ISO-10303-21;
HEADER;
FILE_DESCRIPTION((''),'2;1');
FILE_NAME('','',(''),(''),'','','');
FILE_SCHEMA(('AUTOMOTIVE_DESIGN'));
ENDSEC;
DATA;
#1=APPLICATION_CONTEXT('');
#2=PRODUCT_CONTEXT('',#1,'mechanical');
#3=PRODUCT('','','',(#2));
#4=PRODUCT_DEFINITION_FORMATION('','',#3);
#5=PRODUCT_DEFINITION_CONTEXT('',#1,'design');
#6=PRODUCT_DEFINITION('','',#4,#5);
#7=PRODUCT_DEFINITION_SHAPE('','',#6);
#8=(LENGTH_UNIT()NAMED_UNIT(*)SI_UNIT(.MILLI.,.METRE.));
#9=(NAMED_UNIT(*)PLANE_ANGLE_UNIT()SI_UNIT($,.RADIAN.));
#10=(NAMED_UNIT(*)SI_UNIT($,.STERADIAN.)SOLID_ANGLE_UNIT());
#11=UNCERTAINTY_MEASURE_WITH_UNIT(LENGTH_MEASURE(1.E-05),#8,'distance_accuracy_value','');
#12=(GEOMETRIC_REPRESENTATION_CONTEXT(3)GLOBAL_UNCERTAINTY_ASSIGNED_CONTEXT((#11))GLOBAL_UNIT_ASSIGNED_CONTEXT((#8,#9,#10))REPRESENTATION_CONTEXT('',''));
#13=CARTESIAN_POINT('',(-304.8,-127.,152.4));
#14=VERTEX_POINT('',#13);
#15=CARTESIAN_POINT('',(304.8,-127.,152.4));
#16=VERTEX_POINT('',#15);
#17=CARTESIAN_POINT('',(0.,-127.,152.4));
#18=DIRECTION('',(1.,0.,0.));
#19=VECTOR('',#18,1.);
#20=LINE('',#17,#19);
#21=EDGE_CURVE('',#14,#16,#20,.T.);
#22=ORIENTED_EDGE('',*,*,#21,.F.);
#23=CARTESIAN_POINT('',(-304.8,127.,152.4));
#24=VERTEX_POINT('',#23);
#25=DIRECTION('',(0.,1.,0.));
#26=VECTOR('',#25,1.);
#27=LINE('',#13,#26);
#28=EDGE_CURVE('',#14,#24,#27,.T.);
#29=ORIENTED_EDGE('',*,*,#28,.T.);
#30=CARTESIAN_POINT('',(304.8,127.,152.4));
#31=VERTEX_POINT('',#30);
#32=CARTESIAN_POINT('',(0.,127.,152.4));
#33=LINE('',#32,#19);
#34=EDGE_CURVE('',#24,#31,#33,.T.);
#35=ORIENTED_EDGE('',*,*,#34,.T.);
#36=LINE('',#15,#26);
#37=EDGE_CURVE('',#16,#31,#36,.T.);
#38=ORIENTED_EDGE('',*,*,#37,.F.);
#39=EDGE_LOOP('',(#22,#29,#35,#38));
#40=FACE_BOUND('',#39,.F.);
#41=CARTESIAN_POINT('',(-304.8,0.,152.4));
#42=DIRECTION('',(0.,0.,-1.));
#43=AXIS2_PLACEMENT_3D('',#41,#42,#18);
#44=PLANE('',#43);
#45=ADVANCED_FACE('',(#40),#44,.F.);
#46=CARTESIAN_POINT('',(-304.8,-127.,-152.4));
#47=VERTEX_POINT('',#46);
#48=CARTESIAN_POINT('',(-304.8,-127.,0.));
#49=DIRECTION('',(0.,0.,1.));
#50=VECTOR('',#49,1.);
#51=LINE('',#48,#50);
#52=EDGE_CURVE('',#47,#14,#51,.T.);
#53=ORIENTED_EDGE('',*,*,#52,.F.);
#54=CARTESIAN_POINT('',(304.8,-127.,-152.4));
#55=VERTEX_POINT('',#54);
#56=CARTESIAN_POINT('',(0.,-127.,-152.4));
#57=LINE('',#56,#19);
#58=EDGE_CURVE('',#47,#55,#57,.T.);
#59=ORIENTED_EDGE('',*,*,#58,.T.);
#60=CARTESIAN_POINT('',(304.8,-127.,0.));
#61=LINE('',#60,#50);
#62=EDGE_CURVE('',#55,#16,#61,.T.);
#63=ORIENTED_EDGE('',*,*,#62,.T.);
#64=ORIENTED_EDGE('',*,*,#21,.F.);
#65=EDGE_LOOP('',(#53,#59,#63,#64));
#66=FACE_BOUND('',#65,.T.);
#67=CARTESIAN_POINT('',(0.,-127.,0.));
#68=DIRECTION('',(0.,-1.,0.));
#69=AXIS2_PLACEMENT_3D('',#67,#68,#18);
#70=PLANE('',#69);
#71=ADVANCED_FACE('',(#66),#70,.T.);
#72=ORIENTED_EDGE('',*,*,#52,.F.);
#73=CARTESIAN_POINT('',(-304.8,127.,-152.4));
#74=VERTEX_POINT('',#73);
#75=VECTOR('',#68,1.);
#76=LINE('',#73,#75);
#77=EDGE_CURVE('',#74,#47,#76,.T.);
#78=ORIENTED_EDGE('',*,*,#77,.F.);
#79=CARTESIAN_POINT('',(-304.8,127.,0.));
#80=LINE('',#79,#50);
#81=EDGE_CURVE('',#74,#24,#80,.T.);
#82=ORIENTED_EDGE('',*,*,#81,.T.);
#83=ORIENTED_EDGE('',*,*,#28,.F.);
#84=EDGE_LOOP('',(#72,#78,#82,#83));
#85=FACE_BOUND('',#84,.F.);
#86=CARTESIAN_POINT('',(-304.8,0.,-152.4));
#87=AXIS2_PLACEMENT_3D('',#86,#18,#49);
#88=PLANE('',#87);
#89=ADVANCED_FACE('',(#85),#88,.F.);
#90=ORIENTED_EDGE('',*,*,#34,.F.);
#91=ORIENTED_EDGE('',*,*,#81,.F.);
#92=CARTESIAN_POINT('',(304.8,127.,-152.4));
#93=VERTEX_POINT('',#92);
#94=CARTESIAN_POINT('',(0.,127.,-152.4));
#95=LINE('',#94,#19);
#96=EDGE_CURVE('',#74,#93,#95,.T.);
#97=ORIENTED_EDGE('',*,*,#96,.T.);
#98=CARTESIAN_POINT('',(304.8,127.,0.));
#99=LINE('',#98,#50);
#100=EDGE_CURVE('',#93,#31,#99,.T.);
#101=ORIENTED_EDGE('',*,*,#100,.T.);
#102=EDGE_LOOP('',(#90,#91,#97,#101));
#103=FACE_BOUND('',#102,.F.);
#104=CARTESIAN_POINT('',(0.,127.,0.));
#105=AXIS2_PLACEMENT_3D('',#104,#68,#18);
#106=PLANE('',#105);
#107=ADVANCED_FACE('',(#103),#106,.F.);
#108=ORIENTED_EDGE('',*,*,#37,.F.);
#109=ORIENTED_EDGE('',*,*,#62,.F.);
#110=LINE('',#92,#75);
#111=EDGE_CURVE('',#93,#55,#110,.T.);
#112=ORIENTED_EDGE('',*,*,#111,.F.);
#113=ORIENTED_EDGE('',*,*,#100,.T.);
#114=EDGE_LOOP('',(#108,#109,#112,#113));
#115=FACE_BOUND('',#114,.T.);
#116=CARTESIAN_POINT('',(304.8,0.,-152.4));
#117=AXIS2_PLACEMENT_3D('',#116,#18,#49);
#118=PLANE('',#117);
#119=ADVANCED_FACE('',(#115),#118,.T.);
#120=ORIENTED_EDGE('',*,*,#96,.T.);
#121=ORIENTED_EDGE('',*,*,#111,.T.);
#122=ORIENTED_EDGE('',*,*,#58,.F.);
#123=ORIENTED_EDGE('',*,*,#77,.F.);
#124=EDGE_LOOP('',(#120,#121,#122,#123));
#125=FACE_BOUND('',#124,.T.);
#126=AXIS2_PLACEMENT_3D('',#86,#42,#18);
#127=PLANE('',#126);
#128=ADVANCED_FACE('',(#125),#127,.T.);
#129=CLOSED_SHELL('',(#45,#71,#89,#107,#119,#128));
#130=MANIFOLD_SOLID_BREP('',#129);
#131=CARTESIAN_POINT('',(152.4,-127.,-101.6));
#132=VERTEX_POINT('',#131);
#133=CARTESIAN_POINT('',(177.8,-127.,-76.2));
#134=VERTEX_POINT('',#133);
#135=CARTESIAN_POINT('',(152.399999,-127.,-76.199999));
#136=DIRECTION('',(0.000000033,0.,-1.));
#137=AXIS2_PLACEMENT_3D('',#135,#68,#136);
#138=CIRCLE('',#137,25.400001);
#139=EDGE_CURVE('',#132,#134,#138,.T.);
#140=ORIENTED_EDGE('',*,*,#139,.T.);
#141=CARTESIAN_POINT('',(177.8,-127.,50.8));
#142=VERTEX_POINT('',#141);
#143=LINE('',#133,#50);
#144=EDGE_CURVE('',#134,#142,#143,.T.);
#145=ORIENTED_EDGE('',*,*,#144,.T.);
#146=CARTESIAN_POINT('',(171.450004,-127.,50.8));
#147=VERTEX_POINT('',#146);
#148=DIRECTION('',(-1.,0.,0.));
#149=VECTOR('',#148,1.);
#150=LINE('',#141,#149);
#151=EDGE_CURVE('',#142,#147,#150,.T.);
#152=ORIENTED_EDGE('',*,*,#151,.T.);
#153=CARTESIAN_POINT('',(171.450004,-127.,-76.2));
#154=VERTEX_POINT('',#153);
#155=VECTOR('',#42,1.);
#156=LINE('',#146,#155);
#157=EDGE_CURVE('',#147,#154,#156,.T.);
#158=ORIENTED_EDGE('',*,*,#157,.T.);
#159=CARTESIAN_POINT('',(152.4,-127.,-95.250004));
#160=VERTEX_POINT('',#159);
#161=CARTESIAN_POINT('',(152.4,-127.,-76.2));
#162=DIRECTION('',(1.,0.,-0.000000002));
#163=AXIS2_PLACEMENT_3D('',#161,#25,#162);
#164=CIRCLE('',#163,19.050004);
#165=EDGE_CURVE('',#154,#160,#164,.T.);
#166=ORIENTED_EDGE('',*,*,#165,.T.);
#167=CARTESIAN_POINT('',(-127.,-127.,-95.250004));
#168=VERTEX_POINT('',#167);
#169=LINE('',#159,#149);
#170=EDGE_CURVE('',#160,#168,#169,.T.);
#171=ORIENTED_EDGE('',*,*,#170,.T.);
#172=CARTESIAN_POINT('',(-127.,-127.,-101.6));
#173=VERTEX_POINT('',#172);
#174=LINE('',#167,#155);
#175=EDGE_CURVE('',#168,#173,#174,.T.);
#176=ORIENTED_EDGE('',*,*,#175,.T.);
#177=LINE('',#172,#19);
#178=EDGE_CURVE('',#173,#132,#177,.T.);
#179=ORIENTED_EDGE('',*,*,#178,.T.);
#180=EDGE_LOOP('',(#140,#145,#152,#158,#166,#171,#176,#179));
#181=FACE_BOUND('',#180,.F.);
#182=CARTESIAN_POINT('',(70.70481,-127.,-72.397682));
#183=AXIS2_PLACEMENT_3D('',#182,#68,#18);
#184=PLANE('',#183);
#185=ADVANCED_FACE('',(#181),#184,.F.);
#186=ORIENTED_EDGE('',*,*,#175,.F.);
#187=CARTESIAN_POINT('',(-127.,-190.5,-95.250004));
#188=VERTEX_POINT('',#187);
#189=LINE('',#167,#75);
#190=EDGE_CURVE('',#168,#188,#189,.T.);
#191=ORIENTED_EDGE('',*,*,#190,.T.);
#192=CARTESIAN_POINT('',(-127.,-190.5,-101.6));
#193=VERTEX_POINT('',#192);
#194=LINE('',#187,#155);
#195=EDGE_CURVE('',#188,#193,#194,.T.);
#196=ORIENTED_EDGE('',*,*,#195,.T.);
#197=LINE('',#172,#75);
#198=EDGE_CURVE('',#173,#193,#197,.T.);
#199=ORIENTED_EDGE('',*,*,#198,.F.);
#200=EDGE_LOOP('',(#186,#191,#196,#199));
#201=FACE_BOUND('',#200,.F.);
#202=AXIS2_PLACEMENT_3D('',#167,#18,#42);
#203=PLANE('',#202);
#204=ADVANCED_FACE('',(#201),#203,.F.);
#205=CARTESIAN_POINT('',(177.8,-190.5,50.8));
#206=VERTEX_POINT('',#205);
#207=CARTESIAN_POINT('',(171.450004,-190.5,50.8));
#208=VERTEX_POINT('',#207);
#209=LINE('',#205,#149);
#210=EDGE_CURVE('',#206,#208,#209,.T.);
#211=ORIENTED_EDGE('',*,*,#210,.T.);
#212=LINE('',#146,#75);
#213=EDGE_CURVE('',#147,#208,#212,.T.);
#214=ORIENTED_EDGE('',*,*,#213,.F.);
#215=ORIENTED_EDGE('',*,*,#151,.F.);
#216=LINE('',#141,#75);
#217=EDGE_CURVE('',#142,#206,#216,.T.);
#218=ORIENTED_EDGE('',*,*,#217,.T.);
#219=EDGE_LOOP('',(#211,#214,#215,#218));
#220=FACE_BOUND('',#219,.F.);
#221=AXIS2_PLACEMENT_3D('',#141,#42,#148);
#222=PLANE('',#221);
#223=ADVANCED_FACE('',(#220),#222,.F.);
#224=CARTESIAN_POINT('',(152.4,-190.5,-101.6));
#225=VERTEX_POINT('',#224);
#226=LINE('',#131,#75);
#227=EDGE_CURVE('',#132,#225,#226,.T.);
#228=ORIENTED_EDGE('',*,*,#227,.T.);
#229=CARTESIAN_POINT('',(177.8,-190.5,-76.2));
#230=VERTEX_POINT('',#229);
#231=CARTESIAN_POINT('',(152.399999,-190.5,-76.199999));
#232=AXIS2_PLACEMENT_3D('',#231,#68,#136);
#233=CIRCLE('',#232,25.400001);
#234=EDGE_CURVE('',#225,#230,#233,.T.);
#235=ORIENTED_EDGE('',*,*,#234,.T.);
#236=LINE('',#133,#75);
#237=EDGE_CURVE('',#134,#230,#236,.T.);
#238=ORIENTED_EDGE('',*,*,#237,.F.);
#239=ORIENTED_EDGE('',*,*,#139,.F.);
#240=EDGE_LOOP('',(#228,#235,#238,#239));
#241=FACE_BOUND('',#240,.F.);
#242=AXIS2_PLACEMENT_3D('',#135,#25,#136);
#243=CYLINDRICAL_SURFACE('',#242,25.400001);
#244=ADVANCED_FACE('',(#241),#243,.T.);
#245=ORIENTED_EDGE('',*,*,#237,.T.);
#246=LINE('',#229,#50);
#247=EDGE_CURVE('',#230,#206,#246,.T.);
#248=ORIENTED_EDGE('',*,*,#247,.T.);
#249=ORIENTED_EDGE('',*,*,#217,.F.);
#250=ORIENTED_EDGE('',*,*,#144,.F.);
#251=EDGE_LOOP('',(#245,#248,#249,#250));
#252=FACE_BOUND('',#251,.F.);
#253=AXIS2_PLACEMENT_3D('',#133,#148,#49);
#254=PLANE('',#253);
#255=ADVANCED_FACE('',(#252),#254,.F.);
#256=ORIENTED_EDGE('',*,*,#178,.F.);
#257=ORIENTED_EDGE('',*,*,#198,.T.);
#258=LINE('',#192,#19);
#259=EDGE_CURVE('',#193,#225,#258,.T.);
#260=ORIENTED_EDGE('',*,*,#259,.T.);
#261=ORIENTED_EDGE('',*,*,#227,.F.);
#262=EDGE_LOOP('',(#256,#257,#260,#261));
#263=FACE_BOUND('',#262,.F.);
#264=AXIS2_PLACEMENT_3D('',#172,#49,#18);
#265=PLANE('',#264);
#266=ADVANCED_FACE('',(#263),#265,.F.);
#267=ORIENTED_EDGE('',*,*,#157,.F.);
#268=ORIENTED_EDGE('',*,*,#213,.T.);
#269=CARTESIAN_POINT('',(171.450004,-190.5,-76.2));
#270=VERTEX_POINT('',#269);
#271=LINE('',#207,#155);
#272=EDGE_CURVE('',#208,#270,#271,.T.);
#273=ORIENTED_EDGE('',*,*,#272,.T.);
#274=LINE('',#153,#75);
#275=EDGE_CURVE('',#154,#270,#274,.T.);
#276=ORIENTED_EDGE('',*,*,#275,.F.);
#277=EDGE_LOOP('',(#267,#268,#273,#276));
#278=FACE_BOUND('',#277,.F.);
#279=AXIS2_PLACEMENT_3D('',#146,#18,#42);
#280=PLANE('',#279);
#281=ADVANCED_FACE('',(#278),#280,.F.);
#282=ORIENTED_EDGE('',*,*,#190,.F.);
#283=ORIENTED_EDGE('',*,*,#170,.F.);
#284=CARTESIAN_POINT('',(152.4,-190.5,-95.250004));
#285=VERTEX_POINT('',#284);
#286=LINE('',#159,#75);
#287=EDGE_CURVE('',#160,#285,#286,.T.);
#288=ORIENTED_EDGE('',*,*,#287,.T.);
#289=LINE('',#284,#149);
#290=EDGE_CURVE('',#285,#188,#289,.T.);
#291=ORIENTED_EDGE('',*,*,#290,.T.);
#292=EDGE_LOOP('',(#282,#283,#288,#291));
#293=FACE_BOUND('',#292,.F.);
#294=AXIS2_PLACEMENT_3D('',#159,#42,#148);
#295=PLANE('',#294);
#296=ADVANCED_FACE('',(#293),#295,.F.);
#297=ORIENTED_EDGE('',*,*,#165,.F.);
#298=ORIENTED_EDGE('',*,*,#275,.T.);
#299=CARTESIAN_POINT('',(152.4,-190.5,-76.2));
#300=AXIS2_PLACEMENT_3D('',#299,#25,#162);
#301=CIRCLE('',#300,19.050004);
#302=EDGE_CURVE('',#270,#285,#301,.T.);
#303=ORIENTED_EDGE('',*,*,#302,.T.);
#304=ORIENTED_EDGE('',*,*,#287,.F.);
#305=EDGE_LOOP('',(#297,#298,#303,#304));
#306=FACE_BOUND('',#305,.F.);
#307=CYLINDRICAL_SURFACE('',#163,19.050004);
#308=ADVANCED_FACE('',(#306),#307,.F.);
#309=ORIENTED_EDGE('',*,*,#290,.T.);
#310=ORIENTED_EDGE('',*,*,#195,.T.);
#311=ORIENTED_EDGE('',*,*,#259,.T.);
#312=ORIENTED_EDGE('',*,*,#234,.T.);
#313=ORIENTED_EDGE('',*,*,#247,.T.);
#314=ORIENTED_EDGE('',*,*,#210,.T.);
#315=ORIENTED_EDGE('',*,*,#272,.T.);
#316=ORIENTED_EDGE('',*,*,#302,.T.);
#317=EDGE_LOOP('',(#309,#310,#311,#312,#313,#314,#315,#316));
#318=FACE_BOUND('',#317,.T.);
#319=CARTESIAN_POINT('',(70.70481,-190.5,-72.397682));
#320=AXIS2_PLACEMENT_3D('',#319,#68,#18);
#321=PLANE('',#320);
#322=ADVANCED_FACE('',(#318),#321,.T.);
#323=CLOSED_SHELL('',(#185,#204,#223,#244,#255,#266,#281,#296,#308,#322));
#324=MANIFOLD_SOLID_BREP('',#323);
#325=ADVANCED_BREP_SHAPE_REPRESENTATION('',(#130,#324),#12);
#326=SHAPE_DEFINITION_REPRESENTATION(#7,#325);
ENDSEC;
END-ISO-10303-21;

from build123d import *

# Parameters (mm, degrees)
F0_W     = 609.6
F0_H     = 304.8
F1_DEPTH = 127
F3_DEPTH = 63.5


with BuildPart() as f1:
    # F0 (on Front) → F1 (new body, symmetric)
    with BuildSketch(Plane.XZ):
        Rectangle(F0_W, F0_H)
    extrude(amount=F1_DEPTH, both=True)


with BuildPart() as f3:
    # F2 (on face) → F3 (new body)
    with BuildSketch(Plane.XZ.offset(127)):
        with BuildLine():
            Line((177.8, -76.2), (177.8, 50.8))
            Line((177.8, 50.8), (171.450004, 50.8))
            Line((171.450004, 50.8), (171.450004, -76.2))
            ThreePointArc((171.450004, -76.2), (165.870387, -89.670387), (152.4, -95.250004))
            Line((152.4, -95.250004), (-127, -95.250004))
            Line((-127, -95.250004), (-127, -101.6))
            Line((-127, -101.6), (152.4, -101.6))
            ThreePointArc((152.4, -101.6), (170.360512, -94.160512), (177.8, -76.2))
        make_face()
    extrude(amount=F3_DEPTH)


solid = Compound([f1.part, f3.part])
